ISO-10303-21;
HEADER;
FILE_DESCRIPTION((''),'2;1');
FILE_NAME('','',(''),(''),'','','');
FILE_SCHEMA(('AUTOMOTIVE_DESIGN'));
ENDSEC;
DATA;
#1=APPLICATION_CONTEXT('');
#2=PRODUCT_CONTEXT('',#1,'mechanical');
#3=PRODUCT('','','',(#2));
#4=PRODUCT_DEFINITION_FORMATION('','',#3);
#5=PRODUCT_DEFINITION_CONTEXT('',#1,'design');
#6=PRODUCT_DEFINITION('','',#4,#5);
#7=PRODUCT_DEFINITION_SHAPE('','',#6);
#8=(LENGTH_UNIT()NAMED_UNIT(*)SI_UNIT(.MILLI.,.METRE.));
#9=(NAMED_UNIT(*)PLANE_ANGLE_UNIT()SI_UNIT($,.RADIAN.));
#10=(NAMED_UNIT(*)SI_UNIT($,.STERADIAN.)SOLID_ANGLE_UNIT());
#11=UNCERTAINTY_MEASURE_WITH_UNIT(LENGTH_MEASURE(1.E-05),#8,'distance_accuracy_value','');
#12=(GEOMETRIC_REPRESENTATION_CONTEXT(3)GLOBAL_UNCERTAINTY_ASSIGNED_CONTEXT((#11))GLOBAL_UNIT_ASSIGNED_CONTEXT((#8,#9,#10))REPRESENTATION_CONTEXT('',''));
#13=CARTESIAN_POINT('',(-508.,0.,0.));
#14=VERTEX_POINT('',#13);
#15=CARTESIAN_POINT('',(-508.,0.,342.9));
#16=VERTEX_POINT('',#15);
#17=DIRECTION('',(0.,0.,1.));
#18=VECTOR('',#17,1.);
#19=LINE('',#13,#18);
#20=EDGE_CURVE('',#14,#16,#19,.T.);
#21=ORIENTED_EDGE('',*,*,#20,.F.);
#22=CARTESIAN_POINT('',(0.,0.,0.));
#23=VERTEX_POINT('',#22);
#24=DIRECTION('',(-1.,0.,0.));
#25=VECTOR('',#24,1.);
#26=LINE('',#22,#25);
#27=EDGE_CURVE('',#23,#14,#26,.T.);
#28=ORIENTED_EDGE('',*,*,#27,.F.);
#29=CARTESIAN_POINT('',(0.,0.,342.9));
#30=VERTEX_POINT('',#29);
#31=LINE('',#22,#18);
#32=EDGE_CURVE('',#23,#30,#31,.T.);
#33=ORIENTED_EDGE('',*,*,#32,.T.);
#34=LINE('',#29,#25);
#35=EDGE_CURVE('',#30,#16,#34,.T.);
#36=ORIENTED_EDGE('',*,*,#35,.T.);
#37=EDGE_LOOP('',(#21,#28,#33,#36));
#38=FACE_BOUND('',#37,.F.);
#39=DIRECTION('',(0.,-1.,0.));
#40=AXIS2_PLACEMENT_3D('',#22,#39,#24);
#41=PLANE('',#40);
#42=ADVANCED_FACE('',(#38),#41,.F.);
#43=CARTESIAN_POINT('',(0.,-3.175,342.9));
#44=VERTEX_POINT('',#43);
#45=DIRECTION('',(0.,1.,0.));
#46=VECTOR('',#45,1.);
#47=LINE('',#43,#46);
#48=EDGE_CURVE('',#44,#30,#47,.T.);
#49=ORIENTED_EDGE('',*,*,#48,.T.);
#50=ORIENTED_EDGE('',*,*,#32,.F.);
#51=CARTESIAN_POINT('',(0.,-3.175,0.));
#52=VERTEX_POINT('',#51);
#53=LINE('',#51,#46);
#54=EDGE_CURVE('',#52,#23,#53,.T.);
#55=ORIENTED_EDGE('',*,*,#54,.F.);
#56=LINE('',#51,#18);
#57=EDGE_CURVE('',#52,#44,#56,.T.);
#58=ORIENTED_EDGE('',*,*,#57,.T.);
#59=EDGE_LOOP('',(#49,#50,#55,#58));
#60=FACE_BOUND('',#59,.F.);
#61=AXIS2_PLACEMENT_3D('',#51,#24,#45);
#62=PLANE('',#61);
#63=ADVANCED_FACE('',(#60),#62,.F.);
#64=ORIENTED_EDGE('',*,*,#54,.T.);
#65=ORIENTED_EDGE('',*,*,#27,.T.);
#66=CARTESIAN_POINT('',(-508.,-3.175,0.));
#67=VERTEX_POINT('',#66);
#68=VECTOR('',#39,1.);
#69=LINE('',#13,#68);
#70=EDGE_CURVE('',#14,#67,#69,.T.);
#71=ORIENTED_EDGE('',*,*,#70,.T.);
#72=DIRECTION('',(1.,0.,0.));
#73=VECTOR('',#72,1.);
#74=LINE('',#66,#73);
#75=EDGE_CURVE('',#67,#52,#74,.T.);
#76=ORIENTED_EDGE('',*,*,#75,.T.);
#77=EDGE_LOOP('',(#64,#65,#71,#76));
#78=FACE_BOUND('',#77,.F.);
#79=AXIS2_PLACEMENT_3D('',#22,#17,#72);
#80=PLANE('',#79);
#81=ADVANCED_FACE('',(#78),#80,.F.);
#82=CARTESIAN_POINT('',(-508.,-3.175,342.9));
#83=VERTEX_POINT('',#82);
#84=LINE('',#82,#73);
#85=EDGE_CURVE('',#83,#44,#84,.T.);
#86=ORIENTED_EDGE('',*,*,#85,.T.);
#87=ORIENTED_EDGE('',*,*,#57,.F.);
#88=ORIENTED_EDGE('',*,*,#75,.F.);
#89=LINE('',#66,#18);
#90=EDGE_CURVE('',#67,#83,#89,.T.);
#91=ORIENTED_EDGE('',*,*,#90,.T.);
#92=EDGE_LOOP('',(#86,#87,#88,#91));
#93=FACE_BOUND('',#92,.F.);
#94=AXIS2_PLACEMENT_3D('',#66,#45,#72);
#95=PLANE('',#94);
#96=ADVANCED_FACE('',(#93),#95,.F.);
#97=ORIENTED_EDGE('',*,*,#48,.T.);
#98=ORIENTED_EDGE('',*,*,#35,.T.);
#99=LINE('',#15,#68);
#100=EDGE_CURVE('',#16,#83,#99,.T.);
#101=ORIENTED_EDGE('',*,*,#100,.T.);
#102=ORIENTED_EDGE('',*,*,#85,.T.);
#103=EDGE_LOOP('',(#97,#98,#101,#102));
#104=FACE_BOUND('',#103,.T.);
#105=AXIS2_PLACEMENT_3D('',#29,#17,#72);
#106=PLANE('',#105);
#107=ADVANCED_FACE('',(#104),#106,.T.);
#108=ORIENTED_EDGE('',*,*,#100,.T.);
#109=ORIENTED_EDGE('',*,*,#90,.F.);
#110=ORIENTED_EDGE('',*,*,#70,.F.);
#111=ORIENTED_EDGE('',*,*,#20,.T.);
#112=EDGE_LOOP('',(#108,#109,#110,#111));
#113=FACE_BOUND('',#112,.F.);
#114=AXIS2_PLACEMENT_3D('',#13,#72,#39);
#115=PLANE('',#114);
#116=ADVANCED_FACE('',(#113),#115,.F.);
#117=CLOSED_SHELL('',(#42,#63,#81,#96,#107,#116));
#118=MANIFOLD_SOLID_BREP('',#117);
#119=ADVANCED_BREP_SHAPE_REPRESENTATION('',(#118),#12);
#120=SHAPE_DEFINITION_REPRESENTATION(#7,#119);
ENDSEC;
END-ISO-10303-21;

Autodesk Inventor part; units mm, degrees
ref_plane "YZ Plane" through (0, 0, 0) normal (1, 0, 0) x (0, 1, 0)
ref_plane "XZ Plane" through (0, 0, 0) normal (0, 1, 0) x (-1, 0, 0)
ref_plane "XY Plane" through (0, 0, 0) normal (0, 0, 1) x (1, 0, 0)
sketch "Sketch1" plane through (0, 0, 0) normal (0, 0, 1) x (1, 0, 0)
  line L0 (0, 0) -> (-508, 0)
  line L1 (-508, 0) -> (-508, -3.175)
  line L2 (-508, -3.175) -> (0, -3.175)
  line L3 (0, -3.175) -> (0, 0)
  dimension "d0" = 508
  dimension "d1" = 3.175
extrude "Extrusion1" add sketch "Sketch1" along normal blind 342.9
properties part number "Ramp 2"
